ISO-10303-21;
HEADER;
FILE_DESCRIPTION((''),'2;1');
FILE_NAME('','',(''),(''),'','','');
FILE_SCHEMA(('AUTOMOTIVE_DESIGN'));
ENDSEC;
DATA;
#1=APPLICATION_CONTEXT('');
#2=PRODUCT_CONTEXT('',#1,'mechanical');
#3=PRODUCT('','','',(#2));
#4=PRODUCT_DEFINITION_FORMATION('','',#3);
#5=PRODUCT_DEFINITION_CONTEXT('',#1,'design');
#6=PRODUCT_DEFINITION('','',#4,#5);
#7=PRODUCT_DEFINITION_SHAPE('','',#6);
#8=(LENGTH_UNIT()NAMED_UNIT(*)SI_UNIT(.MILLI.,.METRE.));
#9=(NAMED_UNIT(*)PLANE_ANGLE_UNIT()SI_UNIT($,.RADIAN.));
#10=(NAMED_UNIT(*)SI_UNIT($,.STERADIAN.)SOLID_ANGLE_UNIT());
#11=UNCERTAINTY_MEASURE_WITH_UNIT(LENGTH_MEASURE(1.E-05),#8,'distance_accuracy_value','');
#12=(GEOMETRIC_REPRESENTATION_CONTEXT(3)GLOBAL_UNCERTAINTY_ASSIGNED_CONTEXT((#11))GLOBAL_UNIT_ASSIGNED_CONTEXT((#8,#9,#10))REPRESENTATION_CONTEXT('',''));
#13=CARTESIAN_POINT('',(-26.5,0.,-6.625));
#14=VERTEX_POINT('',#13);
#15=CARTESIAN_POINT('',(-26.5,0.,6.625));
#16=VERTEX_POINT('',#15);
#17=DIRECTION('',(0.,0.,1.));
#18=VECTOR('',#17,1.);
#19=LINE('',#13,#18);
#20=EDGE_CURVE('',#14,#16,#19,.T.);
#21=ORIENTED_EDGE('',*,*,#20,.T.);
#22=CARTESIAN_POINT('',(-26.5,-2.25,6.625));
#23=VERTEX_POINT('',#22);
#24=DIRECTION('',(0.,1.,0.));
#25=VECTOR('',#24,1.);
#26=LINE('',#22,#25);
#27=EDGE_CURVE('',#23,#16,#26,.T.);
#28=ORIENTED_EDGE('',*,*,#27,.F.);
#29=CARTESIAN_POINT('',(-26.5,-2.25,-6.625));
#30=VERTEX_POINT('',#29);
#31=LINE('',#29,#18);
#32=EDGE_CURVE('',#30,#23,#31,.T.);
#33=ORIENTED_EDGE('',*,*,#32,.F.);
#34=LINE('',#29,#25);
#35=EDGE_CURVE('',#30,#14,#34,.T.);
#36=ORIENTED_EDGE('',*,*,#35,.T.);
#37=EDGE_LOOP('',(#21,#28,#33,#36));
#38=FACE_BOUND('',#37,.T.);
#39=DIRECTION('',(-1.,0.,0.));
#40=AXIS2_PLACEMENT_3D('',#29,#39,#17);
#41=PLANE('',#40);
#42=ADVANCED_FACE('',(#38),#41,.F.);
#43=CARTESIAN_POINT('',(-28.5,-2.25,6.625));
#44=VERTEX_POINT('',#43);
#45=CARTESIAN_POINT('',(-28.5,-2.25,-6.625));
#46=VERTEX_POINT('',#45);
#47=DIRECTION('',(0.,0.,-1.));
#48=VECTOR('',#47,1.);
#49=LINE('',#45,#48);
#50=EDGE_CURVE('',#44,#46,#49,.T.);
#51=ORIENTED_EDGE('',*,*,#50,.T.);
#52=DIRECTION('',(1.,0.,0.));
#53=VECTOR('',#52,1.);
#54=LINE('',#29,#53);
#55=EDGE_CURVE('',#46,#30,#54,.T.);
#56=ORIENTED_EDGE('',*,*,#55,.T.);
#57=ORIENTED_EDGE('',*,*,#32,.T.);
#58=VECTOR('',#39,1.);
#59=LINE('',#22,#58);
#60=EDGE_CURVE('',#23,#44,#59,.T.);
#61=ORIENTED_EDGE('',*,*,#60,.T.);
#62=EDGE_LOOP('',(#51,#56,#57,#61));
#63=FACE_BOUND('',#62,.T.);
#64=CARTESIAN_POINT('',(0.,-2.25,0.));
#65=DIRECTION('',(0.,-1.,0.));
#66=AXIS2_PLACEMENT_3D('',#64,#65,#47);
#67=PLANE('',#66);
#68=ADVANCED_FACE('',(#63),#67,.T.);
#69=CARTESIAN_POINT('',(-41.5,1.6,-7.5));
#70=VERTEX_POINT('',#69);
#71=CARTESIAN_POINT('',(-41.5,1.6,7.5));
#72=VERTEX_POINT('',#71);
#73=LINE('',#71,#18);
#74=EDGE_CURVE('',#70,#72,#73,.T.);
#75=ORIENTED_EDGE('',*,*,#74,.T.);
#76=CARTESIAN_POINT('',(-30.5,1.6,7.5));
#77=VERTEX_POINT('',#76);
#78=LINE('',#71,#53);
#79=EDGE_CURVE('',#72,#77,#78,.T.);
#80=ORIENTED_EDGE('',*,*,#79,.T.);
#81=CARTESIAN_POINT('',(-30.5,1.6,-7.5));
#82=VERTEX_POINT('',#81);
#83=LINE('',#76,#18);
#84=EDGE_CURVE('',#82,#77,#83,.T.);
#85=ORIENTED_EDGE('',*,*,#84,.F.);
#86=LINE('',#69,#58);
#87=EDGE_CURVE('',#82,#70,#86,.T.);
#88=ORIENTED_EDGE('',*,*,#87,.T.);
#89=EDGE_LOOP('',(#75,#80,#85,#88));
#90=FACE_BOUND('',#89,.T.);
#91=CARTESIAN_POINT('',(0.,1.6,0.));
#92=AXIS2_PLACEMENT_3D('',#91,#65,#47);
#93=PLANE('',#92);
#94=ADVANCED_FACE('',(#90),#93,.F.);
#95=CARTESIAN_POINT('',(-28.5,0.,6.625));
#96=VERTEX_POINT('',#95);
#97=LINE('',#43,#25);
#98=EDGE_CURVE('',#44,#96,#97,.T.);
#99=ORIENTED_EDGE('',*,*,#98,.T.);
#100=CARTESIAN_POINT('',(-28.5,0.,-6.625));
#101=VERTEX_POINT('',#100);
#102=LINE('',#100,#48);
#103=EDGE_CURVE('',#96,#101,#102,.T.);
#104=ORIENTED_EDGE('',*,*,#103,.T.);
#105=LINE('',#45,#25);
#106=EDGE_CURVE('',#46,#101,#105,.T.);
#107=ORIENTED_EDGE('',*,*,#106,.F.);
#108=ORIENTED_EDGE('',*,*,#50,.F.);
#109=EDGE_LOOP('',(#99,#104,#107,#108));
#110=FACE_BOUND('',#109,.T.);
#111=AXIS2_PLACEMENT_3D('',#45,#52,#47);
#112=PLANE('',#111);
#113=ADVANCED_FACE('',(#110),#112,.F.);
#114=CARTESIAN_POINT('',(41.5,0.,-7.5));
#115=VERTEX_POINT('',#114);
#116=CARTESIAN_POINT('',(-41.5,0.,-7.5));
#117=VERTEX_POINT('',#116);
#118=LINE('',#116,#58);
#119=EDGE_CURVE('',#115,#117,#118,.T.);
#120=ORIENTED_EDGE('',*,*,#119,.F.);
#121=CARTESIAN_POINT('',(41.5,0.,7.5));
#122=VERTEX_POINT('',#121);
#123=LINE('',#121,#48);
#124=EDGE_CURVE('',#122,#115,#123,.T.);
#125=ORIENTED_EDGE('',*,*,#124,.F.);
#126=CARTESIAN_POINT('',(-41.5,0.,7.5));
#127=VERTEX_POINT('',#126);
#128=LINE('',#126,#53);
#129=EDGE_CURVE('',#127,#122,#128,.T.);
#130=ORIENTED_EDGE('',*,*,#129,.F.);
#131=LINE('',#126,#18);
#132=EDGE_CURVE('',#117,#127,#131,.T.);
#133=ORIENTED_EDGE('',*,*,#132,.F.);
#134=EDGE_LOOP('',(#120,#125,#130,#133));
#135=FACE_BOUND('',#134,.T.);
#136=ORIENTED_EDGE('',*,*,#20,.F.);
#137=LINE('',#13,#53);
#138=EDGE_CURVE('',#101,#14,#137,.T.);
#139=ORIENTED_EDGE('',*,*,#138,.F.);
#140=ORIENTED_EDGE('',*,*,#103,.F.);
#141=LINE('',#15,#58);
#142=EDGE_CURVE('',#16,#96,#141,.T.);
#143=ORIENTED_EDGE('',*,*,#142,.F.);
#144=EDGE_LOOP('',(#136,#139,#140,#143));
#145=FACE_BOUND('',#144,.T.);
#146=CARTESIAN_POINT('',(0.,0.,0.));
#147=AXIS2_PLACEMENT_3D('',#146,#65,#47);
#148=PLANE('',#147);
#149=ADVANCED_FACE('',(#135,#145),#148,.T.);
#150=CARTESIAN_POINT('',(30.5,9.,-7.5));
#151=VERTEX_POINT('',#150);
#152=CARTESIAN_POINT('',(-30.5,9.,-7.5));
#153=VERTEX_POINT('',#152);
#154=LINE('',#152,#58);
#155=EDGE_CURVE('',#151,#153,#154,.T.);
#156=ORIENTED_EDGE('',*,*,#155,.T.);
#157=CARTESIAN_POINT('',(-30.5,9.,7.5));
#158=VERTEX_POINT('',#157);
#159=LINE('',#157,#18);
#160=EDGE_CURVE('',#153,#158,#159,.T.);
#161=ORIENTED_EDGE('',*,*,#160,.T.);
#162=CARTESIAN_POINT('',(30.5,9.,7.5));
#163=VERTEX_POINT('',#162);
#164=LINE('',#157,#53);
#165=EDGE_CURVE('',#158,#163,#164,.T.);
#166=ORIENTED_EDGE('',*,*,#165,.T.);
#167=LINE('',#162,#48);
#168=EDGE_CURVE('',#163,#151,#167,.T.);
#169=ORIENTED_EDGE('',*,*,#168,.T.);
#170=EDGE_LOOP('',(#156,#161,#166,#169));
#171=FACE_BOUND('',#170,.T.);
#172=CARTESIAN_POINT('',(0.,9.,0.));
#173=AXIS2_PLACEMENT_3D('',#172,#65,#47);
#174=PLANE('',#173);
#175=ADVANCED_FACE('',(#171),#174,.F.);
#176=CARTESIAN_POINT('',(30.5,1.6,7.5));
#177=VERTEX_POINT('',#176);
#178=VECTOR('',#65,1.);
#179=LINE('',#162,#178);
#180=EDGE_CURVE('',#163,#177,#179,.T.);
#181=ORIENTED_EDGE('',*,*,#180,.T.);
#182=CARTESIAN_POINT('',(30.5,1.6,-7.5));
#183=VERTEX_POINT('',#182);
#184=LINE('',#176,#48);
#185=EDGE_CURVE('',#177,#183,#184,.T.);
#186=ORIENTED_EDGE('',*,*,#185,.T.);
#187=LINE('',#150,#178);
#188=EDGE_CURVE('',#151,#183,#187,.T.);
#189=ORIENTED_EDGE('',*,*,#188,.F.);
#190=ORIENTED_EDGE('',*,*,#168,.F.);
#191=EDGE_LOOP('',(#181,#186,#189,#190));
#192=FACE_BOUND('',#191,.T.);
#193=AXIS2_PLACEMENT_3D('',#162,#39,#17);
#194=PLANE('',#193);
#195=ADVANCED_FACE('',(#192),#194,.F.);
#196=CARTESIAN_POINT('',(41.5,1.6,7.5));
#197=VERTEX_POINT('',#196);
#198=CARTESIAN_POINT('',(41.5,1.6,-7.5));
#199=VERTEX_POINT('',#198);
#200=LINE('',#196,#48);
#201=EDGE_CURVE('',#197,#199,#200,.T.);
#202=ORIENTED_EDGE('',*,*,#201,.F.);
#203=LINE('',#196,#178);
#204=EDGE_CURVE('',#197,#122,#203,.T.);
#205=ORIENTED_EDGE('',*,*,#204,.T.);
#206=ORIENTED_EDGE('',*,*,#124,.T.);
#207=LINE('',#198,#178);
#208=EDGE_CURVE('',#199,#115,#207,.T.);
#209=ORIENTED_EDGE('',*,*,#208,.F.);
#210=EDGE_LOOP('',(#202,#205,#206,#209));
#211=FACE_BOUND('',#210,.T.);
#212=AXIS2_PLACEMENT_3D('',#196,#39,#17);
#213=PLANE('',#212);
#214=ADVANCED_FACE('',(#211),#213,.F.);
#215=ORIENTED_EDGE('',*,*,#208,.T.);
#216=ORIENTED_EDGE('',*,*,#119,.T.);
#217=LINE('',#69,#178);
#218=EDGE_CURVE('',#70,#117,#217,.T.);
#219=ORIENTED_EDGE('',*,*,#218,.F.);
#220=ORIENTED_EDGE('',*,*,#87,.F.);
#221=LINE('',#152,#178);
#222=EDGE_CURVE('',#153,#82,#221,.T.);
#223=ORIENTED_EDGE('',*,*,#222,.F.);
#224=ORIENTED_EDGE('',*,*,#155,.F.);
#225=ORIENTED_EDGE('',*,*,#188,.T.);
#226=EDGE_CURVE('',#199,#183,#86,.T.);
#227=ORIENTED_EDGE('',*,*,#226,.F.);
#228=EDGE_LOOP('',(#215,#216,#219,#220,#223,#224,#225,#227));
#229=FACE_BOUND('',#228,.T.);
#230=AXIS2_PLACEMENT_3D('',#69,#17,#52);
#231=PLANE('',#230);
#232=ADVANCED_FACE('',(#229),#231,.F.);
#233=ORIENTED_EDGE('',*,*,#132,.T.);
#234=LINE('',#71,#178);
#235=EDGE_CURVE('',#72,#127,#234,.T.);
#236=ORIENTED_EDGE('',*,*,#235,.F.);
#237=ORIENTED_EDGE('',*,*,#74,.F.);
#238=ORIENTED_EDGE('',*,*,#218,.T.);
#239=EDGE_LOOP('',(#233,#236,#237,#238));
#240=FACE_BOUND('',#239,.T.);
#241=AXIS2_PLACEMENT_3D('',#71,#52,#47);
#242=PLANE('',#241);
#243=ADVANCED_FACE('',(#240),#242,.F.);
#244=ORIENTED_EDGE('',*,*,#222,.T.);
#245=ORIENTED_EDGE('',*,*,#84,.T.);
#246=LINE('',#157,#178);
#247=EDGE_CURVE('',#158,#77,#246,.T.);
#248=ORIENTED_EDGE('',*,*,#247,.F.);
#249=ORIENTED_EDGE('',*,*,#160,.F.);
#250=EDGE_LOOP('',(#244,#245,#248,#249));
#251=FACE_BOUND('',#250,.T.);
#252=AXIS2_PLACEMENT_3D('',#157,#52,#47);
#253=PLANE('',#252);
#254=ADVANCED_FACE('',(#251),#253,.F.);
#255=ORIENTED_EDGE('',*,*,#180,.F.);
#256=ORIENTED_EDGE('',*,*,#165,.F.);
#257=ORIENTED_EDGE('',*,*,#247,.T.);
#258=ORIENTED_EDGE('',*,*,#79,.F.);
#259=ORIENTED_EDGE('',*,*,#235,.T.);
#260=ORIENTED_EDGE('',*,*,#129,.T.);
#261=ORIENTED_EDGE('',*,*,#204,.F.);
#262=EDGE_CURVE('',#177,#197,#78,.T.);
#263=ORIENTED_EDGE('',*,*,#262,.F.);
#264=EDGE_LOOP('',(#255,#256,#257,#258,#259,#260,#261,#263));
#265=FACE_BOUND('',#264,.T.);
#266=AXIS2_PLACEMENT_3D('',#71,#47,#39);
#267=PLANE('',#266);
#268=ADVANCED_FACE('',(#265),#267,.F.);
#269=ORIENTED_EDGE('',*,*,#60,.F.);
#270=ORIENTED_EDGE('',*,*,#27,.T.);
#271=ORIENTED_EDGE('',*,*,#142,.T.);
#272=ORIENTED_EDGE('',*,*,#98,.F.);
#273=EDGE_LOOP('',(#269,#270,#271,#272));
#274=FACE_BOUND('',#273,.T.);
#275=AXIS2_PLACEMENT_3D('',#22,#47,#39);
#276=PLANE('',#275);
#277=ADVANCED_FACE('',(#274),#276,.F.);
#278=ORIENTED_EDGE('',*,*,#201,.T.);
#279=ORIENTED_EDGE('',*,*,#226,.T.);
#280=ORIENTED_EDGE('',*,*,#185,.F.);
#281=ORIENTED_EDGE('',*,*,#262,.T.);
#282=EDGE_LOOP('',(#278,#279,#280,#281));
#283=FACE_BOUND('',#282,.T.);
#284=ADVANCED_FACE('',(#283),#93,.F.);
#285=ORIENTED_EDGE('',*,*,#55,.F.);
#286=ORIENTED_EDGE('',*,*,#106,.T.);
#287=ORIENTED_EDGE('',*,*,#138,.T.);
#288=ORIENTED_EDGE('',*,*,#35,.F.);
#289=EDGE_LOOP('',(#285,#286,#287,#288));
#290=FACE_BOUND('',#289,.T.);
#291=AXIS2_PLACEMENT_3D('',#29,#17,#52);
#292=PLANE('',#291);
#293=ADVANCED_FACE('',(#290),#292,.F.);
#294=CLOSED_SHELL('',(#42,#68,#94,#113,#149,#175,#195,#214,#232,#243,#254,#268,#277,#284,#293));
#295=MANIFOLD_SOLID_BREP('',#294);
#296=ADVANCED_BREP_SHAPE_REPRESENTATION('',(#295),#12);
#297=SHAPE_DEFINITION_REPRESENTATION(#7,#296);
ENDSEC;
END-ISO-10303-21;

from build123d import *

# Parameters (mm, degrees)
SKETCH1_W           = 83
SKETCH1_H           = 15
BOSS_EXTRUDE1_DEPTH = 1.6
SKETCH2_W           = 61
SKETCH2_H           = 15
BOSS_EXTRUDE2_DEPTH = 7.4
SKETCH3_W           = 2
SKETCH3_H           = 13.25
BOSS_EXTRUDE3_DEPTH = 2.25


with BuildPart() as part:
    # Sketch1 → Boss-Extrude1 (new body)
    with BuildSketch(Plane(origin=(0, 0, 0), x_dir=(1, 0, 0), z_dir=(0, 1, 0))):
        Rectangle(SKETCH1_W, SKETCH1_H)
    extrude(amount=BOSS_EXTRUDE1_DEPTH)

    # Sketch2 → Boss-Extrude2 (add)
    with BuildSketch(Plane(origin=(0, 1.6, 0), x_dir=(1, 0, 0), z_dir=(0, 1, 0))):
        Rectangle(SKETCH2_W, SKETCH2_H)
    extrude(amount=BOSS_EXTRUDE2_DEPTH)

    # Sketch3 → Boss-Extrude3 (add)
    with BuildSketch(Plane(origin=(0, 0, 0), x_dir=(-1, 0, 0), z_dir=(0, -1, 0))):
        with Locations((27.5, 0)):
            Rectangle(SKETCH3_W, SKETCH3_H)
    extrude(amount=BOSS_EXTRUDE3_DEPTH)


solid = part.part
